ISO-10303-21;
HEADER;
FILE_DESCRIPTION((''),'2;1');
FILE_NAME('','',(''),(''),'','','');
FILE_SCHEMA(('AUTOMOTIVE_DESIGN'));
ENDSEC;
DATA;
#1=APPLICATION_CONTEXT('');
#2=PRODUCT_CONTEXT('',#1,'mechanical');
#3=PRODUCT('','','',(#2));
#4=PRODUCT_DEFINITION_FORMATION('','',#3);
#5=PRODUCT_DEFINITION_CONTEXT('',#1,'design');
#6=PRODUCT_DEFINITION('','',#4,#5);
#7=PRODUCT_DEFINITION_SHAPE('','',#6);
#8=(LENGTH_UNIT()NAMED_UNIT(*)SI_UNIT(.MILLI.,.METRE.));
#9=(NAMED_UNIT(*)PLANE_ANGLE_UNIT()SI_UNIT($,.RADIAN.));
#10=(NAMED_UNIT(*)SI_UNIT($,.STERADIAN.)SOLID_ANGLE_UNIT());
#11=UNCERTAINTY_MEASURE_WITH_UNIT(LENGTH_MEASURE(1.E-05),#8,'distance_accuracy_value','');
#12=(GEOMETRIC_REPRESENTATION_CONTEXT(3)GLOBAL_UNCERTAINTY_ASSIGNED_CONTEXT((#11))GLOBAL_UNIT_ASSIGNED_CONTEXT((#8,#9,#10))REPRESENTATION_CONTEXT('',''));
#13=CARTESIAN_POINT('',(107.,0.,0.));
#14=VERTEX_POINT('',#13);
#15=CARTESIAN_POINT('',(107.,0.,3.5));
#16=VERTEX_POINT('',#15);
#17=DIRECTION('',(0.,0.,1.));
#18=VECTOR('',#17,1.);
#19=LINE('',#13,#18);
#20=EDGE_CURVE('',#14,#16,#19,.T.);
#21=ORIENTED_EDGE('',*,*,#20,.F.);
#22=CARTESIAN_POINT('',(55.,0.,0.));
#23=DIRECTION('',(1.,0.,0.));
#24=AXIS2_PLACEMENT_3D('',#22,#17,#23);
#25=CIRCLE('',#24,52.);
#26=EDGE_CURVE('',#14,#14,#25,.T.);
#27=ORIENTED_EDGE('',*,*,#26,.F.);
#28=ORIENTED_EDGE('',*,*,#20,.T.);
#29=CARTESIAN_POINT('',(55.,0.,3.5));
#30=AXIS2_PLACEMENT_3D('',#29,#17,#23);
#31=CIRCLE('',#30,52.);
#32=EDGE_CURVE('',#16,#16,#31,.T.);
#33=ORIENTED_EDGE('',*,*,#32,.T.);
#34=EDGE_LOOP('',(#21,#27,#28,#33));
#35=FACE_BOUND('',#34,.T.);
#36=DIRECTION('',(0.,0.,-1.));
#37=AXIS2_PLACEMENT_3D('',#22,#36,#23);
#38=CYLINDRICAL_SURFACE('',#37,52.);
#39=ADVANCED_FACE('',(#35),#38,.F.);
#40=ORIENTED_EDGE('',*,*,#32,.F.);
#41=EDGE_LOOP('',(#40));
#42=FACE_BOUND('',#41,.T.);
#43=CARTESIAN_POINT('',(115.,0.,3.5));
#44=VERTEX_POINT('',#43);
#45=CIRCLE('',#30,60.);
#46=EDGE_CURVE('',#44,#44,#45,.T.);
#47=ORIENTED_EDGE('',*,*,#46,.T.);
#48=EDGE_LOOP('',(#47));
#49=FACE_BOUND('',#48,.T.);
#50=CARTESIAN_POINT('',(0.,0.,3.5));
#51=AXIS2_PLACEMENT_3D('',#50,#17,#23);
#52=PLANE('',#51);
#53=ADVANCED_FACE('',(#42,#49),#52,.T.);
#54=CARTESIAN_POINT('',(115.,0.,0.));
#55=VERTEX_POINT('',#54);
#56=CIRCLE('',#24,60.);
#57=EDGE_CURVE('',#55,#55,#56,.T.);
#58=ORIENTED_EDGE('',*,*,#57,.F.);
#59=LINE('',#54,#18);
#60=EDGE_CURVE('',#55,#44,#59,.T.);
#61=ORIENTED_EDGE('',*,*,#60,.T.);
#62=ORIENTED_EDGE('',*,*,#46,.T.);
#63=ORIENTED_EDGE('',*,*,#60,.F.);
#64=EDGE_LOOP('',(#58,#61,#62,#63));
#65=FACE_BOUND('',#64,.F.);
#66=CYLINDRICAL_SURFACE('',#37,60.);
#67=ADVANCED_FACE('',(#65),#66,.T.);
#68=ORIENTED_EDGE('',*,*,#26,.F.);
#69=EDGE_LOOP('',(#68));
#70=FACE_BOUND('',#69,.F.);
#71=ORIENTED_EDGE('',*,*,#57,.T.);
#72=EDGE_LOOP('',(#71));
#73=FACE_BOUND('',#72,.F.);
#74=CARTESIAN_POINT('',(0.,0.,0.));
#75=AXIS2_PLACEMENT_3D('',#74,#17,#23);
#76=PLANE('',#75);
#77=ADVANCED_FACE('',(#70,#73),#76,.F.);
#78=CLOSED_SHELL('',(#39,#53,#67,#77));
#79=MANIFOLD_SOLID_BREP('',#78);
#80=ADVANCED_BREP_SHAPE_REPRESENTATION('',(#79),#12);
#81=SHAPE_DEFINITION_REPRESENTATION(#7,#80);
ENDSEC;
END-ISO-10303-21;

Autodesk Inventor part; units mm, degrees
ref_plane "YZ Plane" through (0, 0, 0) normal (1, 0, 0) x (0, 1, 0)
ref_plane "XZ Plane" through (0, 0, 0) normal (0, 1, 0) x (-1, 0, 0)
ref_plane "XY Plane" through (0, 0, 0) normal (0, 0, 1) x (1, 0, 0)
ref_plane "РабПлоскость1" through (0, 0, 0) normal (0, 0, 1) x (1, 0, 0)
sketch "Эскиз1" plane through (0, 0, 0) normal (0, 0, 1) x (1, 0, 0)
  circle A0 centre (55, 0) radius 52 projected
  circle A1 centre (55, 0) radius 60
  dimension "d3" = 120
extrude "Выдавливание1" add sketch "Эскиз1" along normal blind 3.5
properties part number "Стопорное кольцо_CPY" material "Сталь, высокопрочная, низколегированная"
